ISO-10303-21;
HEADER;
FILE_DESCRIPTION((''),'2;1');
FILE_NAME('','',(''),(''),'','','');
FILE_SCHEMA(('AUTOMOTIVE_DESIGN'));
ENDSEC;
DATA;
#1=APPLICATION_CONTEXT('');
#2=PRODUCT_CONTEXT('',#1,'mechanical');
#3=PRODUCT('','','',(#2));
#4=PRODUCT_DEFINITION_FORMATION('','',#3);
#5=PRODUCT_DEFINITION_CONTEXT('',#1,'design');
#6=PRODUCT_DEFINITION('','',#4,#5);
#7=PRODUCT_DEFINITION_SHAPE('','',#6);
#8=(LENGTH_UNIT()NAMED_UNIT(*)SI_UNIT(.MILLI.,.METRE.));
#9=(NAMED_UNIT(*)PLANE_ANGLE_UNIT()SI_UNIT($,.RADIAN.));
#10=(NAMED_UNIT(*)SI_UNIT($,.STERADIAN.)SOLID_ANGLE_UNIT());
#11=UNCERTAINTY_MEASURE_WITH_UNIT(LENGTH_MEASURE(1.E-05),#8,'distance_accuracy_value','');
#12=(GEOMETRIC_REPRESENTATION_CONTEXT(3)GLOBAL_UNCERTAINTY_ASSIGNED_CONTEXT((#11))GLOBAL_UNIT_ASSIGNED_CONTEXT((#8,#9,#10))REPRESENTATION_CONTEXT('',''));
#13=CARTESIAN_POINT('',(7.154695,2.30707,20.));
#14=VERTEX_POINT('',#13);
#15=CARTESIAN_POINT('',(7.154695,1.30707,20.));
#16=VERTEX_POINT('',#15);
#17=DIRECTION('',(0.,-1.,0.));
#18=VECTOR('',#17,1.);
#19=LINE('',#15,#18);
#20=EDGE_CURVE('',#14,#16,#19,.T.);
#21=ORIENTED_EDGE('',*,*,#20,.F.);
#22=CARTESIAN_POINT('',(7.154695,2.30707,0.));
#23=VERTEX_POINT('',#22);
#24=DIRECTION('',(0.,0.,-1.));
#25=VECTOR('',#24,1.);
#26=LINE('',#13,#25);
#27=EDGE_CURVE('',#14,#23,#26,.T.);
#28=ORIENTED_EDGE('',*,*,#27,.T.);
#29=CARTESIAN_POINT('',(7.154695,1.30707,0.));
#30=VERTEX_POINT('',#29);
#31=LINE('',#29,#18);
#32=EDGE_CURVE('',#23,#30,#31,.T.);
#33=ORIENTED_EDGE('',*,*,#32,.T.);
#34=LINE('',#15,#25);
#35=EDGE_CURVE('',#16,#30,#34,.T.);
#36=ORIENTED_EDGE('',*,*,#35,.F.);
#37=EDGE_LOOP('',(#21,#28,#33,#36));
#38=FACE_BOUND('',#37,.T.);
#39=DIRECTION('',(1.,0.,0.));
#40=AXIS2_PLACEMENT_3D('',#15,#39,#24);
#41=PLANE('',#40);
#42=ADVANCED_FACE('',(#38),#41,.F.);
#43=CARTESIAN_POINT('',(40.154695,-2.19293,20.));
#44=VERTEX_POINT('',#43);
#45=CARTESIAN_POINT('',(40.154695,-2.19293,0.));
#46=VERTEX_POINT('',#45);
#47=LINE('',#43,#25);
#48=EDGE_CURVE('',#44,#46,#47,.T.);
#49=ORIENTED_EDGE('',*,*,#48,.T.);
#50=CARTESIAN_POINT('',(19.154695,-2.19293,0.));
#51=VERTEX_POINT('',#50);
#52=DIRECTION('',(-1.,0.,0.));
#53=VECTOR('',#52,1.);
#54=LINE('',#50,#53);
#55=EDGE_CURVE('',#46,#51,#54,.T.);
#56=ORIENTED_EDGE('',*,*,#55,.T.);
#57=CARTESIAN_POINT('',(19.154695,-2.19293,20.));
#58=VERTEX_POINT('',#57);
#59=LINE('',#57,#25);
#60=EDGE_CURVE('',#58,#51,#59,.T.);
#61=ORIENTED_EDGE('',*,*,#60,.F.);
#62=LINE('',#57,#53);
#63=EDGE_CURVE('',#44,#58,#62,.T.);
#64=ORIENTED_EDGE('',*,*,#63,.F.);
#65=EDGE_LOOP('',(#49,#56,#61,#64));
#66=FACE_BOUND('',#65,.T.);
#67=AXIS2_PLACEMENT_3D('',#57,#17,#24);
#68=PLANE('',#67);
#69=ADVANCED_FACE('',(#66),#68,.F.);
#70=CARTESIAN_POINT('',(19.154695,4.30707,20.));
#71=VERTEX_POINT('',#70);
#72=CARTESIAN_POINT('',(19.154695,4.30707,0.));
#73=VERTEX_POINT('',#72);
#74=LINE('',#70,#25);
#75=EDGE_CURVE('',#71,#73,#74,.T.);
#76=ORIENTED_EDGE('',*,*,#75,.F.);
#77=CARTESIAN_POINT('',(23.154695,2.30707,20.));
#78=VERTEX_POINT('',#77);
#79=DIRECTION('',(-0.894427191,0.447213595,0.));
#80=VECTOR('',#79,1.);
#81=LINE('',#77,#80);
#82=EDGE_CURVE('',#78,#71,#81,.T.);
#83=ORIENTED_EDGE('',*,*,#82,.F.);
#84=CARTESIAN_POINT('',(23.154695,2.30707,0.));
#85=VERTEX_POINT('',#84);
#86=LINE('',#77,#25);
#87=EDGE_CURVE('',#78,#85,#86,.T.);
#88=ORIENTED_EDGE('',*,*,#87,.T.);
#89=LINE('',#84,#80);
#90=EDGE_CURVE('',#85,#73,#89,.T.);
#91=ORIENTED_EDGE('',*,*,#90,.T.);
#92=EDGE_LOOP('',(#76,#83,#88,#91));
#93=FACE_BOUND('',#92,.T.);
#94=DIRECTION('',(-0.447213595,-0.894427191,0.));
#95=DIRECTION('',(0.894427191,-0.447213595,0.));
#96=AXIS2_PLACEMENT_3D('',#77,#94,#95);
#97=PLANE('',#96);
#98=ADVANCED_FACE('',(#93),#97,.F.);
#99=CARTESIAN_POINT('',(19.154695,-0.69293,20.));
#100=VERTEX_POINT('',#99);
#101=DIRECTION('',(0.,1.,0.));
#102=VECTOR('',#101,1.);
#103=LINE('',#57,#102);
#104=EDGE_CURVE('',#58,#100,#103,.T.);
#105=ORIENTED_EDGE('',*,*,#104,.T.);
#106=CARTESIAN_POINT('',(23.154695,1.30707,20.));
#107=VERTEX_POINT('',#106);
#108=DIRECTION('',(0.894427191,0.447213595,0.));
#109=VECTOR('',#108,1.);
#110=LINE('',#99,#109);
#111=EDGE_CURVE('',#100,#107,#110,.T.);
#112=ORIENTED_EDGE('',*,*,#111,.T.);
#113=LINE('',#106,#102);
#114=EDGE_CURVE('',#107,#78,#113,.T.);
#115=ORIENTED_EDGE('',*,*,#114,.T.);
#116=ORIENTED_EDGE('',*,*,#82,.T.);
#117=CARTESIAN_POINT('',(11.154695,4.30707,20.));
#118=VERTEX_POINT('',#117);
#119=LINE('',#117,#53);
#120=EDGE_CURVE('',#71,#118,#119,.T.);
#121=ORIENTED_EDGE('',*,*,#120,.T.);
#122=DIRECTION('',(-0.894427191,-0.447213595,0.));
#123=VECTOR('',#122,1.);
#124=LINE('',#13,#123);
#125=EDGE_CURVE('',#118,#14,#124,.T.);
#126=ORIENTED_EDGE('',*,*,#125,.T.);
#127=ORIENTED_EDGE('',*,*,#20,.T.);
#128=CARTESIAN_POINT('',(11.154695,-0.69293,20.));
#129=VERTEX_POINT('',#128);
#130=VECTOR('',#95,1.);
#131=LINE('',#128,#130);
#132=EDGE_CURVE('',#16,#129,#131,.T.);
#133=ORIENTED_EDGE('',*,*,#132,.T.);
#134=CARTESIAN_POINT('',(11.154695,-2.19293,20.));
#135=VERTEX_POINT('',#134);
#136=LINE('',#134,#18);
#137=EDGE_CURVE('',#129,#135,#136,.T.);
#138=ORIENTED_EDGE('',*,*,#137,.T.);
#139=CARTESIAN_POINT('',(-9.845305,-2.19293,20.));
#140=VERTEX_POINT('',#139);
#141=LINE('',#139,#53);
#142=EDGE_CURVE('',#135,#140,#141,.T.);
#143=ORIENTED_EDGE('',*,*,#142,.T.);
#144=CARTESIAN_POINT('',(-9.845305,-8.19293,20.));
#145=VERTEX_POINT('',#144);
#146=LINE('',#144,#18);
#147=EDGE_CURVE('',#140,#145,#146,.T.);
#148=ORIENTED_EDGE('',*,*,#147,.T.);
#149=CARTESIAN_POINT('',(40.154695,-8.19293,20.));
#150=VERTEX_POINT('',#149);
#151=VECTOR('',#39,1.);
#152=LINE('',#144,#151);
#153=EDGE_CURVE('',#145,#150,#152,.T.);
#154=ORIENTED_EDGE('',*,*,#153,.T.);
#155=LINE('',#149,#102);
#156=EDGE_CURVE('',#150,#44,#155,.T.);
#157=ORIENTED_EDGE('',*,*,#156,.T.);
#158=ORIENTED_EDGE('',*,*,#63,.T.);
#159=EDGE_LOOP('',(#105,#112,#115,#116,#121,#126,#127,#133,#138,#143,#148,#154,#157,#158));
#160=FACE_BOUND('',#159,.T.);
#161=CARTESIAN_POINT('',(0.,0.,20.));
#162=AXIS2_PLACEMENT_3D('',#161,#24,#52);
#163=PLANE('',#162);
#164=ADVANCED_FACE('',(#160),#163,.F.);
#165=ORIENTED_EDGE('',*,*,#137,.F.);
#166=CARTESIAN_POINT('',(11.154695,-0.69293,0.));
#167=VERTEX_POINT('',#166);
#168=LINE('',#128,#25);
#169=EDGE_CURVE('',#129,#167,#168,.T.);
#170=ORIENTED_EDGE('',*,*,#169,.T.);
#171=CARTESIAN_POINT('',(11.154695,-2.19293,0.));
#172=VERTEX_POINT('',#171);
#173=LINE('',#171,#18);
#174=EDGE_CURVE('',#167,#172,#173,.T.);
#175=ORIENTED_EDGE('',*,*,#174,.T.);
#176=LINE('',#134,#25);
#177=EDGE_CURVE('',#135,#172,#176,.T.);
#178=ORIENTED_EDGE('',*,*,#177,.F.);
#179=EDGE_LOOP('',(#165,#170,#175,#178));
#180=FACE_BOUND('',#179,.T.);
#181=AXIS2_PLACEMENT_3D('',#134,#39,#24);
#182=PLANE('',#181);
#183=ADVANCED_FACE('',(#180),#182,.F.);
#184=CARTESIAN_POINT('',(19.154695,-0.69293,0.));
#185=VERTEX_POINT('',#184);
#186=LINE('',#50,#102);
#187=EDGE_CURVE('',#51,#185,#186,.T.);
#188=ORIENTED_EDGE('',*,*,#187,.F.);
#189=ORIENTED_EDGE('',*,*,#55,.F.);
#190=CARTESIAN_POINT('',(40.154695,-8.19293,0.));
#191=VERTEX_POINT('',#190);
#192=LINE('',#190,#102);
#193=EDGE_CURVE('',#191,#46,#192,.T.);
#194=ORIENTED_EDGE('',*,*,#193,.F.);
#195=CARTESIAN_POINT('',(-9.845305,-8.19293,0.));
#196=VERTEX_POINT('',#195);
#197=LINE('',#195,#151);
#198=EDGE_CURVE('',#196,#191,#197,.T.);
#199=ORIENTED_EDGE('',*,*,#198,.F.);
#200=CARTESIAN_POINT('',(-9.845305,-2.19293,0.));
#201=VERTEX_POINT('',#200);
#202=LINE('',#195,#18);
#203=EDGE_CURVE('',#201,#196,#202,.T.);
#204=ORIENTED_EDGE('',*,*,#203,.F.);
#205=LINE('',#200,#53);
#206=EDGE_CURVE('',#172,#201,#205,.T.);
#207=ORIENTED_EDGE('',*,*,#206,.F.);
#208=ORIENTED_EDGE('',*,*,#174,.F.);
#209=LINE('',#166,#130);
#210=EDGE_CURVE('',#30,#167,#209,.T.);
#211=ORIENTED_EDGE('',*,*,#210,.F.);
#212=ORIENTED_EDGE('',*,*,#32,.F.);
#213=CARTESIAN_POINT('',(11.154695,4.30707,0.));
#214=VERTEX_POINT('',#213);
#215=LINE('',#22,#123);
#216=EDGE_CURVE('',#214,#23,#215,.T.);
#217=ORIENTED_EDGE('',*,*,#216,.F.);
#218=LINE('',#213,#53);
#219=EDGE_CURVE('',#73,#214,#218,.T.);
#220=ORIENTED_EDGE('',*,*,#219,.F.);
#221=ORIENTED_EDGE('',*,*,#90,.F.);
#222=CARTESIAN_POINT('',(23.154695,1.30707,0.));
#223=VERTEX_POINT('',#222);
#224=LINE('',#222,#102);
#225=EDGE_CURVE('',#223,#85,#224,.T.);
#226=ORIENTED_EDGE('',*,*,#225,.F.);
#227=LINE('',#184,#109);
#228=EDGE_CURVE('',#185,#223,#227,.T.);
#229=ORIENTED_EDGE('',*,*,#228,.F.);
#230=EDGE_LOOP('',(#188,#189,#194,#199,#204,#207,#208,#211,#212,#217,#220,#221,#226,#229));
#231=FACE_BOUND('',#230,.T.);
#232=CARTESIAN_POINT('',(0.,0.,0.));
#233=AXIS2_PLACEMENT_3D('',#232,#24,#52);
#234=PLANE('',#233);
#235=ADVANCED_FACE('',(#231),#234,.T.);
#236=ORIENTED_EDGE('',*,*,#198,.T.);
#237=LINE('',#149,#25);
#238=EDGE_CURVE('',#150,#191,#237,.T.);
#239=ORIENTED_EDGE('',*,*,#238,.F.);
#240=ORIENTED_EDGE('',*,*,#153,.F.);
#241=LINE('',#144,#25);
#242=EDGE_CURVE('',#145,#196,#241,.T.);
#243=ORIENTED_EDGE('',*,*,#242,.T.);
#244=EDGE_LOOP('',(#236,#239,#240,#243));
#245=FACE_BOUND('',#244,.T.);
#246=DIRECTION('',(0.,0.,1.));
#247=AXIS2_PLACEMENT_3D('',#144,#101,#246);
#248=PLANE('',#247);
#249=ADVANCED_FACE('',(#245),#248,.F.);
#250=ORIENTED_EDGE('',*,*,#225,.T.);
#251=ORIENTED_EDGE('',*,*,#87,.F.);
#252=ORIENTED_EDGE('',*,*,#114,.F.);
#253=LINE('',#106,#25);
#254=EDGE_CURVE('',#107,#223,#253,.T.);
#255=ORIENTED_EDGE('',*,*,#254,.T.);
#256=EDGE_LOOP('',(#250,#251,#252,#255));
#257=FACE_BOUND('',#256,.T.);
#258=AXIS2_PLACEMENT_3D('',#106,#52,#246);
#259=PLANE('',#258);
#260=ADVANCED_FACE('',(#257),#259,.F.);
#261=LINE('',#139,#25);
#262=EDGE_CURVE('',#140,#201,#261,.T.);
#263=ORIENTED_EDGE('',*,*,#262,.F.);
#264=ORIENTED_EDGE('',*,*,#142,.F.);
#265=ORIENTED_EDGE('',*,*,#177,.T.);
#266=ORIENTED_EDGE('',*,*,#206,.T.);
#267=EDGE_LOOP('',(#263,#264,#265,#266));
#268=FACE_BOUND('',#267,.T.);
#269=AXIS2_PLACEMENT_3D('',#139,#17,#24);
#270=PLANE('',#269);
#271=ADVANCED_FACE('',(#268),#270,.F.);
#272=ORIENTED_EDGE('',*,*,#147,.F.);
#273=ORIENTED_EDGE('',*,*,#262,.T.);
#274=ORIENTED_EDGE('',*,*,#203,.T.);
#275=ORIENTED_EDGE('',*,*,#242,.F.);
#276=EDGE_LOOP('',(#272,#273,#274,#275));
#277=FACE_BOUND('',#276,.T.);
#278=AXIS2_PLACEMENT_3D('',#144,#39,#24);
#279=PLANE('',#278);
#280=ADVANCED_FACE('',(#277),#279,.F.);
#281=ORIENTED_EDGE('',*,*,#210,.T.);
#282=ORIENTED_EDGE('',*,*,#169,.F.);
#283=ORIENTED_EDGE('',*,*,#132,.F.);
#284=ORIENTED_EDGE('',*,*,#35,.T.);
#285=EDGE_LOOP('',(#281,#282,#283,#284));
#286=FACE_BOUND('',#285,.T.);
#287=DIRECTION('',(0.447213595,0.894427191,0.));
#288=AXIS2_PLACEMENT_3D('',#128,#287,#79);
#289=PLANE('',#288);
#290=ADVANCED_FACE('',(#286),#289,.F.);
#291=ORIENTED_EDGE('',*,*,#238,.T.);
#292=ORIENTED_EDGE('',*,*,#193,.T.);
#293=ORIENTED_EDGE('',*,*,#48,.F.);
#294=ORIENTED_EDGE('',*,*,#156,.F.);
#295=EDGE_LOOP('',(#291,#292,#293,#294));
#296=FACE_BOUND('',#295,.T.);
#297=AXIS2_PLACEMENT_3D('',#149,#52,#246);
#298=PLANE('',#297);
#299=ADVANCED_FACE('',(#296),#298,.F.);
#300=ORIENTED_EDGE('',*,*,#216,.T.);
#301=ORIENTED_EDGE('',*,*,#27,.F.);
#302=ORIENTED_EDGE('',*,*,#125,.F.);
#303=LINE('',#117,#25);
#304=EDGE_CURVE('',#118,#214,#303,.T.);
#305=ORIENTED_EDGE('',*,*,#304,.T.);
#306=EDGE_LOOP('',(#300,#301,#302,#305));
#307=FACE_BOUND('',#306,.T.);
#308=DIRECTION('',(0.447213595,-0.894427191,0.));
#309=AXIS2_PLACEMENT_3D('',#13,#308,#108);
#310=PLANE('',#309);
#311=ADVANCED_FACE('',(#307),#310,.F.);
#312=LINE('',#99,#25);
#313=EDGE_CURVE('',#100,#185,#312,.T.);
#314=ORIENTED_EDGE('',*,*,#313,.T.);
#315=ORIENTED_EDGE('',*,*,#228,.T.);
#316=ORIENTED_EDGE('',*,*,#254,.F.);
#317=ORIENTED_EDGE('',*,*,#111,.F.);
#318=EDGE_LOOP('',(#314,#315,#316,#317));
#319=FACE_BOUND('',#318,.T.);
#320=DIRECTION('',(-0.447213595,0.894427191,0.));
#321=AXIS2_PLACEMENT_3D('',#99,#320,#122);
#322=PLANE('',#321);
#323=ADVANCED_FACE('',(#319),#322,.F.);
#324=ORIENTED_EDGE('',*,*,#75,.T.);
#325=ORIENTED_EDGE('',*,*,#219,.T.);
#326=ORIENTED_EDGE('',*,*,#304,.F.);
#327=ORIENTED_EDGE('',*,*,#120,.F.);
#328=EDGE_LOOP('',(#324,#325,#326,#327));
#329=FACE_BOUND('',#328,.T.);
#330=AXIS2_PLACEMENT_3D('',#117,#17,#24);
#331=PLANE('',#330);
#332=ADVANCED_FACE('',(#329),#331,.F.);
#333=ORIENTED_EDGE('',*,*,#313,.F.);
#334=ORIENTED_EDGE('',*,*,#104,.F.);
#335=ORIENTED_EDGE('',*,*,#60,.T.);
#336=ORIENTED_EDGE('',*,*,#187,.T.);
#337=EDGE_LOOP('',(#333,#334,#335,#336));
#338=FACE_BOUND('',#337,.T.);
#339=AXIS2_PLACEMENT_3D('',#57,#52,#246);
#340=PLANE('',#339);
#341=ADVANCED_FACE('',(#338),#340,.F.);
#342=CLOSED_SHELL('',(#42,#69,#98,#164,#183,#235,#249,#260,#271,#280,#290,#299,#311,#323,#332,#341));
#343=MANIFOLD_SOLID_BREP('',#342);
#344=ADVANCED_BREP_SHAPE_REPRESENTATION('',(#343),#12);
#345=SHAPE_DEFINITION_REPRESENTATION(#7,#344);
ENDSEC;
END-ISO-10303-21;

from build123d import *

# Parameters (mm, degrees)
EXTRUDE_1_DEPTH = 20


with BuildPart() as part:
    # Эскиз1 → Бобышка-Вытянуть1 (new body)
    with BuildSketch(Plane.XY):
        Polygon((-9.845304567, -8.192930284), (40.154695433, -8.192930284), (40.154695433, -2.192930284), (19.154695433, -2.192930284), (19.154695433, -0.692930284), (23.154695433, 1.307069716), (23.154695433, 2.307069716), (19.154695433, 4.307069716), (11.154695433, 4.307069716), (7.154695433, 2.307069716), (7.154695433, 1.307069716), (11.154695433, -0.692930284), (11.154695433, -2.192930284), (-9.845304567, -2.192930284), align=None)
    extrude(amount=EXTRUDE_1_DEPTH)


solid = part.part
